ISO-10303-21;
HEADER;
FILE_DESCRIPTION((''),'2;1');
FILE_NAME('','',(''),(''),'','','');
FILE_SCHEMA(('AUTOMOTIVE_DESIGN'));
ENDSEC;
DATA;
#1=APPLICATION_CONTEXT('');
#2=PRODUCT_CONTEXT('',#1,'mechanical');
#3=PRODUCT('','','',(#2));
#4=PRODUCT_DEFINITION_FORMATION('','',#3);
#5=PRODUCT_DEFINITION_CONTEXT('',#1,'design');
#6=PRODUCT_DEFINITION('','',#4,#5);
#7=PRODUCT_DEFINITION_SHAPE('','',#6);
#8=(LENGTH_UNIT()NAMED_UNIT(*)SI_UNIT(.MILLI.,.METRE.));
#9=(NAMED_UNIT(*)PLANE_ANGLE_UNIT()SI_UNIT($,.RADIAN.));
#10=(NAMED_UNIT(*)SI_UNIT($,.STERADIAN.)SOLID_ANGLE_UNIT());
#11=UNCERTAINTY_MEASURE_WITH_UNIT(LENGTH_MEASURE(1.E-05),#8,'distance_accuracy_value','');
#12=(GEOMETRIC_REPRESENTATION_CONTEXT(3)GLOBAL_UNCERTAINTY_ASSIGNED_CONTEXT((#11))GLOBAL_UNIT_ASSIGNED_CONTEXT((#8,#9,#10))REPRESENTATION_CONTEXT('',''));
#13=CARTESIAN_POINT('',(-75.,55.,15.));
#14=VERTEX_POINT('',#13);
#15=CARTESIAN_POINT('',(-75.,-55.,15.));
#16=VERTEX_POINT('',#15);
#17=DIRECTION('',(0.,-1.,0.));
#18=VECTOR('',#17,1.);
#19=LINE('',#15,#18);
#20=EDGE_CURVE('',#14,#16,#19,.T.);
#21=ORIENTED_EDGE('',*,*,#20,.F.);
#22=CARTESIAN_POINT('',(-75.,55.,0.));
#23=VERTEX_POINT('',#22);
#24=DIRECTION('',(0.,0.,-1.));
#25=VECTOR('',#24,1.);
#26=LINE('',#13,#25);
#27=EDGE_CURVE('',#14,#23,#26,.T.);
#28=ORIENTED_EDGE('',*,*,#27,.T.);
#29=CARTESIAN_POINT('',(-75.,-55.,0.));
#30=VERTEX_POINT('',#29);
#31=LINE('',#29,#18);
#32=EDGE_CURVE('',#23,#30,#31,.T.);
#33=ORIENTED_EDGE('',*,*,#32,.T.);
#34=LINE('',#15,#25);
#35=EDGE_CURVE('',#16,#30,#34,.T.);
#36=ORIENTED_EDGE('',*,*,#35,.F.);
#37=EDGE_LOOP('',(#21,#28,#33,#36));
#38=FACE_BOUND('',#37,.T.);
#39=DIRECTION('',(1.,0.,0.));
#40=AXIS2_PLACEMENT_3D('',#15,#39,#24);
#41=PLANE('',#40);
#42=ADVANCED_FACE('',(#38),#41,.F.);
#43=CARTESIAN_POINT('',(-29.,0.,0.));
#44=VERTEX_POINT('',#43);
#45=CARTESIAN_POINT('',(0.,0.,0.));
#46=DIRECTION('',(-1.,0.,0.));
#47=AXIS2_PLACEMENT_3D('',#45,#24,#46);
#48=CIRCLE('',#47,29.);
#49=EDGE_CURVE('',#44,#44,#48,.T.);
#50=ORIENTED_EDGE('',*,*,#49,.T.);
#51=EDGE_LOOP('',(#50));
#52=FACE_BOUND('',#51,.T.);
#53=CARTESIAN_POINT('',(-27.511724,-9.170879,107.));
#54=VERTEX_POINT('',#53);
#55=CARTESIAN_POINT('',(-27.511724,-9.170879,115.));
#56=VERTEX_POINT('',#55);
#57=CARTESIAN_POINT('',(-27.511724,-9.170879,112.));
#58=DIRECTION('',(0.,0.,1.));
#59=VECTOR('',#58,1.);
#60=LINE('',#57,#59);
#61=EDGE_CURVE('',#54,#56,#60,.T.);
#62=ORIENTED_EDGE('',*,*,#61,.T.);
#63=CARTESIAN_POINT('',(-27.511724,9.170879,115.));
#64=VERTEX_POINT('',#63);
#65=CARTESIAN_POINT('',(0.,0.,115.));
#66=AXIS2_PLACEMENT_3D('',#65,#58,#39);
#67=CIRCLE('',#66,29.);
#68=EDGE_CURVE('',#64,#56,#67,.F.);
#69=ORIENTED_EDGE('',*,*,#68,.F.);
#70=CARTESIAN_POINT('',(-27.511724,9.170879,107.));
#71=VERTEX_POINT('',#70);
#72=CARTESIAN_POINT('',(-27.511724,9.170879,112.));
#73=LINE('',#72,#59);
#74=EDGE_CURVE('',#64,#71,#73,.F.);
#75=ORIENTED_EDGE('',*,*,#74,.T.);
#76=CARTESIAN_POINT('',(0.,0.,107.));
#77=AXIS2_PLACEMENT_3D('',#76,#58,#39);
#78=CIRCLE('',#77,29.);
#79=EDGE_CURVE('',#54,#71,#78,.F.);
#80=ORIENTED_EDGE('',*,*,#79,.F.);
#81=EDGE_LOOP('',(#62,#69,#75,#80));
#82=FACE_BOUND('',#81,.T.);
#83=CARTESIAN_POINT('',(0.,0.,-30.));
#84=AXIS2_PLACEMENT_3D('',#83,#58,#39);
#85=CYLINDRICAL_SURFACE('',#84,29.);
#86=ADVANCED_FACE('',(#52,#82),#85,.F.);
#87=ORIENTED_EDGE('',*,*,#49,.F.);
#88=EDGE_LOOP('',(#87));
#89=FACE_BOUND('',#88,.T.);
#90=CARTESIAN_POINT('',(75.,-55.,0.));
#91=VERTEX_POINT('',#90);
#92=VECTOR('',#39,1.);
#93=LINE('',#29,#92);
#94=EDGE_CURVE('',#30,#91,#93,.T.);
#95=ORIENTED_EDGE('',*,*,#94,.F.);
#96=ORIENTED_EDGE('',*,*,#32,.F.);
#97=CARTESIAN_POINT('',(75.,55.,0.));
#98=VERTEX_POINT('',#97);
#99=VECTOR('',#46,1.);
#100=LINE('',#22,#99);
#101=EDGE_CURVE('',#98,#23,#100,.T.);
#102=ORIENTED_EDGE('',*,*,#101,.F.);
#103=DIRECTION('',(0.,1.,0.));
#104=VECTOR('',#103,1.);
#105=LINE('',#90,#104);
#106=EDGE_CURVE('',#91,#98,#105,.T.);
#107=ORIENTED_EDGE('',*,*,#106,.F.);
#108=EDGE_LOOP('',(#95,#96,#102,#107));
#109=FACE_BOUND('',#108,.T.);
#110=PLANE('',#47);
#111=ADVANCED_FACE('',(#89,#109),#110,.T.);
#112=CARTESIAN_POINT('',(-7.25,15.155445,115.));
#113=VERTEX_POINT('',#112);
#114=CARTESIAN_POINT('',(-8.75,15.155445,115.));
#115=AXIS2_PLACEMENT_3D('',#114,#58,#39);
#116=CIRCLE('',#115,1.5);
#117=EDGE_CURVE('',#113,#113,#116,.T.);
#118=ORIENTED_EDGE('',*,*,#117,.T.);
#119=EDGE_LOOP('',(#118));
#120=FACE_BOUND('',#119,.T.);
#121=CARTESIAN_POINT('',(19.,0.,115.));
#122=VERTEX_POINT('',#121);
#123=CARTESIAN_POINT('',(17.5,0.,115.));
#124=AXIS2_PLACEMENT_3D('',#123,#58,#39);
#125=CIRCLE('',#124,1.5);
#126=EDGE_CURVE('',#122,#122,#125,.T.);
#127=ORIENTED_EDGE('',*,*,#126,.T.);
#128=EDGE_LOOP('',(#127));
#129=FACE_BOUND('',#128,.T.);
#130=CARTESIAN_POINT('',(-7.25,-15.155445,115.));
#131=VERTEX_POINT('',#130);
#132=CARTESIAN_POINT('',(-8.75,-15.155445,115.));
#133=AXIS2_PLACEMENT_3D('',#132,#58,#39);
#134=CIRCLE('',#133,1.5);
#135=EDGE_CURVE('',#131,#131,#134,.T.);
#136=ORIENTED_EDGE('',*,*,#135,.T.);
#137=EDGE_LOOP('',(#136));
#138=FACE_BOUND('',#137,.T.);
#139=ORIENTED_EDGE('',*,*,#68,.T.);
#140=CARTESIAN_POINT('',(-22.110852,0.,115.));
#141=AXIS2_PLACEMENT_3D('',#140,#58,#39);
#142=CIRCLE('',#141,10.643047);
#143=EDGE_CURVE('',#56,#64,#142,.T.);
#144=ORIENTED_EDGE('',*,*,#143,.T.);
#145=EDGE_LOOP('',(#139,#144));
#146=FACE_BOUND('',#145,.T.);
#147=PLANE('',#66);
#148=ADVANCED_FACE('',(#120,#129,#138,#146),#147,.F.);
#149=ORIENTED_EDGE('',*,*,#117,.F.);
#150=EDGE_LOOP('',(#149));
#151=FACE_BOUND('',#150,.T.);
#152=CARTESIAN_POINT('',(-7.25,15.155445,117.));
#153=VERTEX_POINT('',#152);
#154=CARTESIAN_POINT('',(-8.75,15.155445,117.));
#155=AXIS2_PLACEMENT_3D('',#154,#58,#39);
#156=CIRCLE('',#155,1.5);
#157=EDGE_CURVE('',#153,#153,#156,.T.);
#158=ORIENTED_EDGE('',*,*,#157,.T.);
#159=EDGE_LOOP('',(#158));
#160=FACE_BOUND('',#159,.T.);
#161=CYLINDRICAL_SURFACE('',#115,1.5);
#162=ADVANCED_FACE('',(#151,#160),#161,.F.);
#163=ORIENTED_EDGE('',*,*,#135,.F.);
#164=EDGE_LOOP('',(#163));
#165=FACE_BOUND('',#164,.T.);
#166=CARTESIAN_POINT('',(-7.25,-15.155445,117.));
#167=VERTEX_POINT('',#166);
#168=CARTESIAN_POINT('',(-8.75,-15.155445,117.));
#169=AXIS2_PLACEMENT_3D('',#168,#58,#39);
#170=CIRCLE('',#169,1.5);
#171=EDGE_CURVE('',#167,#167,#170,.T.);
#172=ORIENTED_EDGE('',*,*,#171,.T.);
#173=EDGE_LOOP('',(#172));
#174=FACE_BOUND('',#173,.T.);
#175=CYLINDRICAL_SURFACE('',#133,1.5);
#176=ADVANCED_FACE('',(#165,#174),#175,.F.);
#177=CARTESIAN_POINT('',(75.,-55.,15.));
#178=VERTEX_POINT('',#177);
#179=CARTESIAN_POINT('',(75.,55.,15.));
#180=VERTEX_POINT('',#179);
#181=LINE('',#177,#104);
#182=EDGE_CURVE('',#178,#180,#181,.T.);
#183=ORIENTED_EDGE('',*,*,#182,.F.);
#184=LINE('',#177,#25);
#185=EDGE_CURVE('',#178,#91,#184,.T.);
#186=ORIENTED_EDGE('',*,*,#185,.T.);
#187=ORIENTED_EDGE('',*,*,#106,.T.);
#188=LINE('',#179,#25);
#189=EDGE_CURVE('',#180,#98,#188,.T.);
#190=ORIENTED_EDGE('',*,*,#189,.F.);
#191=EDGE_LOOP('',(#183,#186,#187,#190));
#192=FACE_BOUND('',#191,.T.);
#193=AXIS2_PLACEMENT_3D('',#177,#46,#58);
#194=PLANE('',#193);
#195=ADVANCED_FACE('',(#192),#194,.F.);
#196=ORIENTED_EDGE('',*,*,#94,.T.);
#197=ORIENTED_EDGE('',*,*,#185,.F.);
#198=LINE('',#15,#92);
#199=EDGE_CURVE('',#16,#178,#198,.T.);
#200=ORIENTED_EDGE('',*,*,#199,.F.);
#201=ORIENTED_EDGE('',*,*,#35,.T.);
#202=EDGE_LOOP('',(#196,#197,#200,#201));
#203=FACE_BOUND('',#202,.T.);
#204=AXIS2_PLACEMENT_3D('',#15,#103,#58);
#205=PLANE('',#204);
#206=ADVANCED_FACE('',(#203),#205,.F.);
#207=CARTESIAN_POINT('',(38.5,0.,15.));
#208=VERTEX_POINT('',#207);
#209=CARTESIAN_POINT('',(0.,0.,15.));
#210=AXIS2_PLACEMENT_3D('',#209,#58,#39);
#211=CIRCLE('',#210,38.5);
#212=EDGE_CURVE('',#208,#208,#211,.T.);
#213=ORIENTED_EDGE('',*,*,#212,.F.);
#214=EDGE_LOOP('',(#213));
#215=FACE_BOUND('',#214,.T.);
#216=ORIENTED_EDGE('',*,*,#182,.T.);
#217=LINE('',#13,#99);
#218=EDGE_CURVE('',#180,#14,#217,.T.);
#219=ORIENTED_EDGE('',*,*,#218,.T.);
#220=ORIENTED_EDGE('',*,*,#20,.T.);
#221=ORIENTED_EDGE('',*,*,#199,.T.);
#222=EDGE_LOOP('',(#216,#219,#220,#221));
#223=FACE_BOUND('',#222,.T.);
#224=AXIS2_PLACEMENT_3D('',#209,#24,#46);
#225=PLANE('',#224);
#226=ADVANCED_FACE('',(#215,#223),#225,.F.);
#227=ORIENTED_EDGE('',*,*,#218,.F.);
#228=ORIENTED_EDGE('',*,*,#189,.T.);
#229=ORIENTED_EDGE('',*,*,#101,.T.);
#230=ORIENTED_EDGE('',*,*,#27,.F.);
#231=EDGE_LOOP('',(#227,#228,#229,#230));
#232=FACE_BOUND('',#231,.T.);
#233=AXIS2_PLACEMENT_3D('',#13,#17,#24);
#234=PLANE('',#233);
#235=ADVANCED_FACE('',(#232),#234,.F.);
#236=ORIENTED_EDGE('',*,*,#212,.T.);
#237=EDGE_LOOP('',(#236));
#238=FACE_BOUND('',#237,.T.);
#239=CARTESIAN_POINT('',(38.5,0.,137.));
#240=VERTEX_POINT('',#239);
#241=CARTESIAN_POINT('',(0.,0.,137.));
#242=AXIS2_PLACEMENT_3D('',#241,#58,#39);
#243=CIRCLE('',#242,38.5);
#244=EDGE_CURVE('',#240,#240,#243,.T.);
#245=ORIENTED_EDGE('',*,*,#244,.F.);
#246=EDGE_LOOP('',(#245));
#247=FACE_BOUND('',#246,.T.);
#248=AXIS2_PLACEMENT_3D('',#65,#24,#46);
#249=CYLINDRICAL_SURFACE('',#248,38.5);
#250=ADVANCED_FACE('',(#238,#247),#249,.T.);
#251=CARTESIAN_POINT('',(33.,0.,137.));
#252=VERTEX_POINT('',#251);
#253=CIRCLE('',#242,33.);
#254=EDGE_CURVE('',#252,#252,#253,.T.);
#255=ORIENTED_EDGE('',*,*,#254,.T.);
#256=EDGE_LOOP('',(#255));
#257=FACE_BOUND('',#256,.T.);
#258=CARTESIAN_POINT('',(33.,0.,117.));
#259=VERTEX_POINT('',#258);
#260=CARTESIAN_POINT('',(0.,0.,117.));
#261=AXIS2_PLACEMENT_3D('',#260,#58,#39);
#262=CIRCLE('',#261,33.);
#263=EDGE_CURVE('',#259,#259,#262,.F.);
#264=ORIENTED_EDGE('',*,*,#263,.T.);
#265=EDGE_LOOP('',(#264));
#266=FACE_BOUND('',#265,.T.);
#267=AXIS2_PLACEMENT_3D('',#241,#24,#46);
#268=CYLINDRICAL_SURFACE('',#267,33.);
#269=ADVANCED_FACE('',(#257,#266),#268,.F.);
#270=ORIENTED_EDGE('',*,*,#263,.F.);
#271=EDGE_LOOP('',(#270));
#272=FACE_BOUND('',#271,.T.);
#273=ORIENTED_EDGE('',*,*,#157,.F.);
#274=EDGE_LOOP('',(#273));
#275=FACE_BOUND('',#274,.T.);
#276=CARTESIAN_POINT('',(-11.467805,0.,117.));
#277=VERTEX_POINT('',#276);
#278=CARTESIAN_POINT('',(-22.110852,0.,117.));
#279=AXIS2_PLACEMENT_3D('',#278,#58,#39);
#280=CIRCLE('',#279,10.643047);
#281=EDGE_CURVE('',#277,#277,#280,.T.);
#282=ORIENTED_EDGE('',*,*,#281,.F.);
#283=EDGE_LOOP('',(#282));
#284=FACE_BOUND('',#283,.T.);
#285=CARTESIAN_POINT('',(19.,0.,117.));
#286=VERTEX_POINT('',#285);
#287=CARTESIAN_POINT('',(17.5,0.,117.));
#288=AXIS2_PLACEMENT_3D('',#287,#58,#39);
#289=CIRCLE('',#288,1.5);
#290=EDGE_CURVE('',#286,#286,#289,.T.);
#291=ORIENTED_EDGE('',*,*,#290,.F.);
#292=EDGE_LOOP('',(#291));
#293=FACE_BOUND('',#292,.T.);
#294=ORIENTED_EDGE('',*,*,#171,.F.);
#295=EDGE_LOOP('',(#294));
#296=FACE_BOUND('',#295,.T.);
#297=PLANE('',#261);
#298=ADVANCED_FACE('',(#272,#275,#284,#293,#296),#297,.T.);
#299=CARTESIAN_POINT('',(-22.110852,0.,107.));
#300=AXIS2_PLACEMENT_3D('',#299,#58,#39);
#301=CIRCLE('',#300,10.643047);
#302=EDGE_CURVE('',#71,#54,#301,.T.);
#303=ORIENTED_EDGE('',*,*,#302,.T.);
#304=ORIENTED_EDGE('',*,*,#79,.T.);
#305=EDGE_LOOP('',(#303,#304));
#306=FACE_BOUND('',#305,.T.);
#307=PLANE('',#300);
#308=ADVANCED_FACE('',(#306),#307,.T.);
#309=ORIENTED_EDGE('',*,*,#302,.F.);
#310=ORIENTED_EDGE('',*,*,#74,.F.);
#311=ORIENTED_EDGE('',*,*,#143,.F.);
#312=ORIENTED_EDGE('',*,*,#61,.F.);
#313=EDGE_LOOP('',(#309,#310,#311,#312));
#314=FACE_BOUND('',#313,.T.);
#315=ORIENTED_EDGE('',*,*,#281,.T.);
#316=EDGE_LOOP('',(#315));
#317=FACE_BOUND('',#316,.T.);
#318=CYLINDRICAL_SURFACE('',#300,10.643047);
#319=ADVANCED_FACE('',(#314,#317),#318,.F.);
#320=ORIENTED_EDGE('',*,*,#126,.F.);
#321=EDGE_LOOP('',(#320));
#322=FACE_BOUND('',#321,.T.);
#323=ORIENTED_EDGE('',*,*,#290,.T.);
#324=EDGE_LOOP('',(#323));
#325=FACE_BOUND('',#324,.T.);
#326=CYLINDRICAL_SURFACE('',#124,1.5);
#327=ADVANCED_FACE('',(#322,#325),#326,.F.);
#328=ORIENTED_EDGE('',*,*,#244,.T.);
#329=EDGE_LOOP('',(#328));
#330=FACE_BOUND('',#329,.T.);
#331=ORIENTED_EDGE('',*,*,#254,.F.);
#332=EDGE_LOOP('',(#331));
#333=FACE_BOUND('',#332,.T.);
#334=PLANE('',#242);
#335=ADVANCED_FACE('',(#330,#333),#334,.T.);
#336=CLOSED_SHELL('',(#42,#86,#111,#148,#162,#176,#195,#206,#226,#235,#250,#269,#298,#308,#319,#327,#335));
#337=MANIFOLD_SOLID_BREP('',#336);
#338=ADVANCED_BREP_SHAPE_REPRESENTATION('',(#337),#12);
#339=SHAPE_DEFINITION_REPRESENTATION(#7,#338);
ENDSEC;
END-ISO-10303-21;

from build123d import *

# Parameters (mm, degrees)
SKETCH_1_W          = 150
SKETCH_1_H          = 110
EXTRUDE_1_DEPTH     = 15
SKETCH_2_R          = 38.5
EXTRUDE_2_DEPTH     = 100
SKETCH_4_R          = 29
CUT_EXTRUDE_1_DEPTH = 145
SKETCH_5_R          = 33
EXTRUDE_3_DEPTH     = 2
SKETCH_6_R          = 1.5
CUT_EXTRUDE_2_DEPTH = 2
SKETCH_7_R          = 38.5
SKETCH_7_R_2        = 33
EXTRUDE_4_DEPTH     = 22
SKETCH_8_R          = 10.643046967
CUT_EXTRUDE_3_DEPTH = 10


with BuildPart() as part:
    # 草图1 → 凸台-拉伸1 (new body)
    with BuildSketch(Plane.XY):
        Rectangle(SKETCH_1_W, SKETCH_1_H)
    extrude(amount=EXTRUDE_1_DEPTH)

    # 草图2 → 凸台-拉伸2 (add)
    with BuildSketch(Plane.XY.offset(15)):
        Circle(SKETCH_2_R)
    extrude(amount=EXTRUDE_2_DEPTH)

    # 草图4 → 切除-拉伸1 (cut)
    with BuildSketch(Plane.XY.offset(115)):
        Circle(SKETCH_4_R)
    extrude(amount=-CUT_EXTRUDE_1_DEPTH, mode=Mode.SUBTRACT)

    # 草图5 → 凸台-拉伸3 (add)
    with BuildSketch(Plane.XY.offset(115)):
        Circle(SKETCH_5_R)
    extrude(amount=EXTRUDE_3_DEPTH)

    # 草图6 → 切除-拉伸2 (cut)
    with BuildSketch(Plane.XY.offset(117)):
        with Locations((17.5, 0)):
            Circle(SKETCH_6_R)
        with Locations((-8.75, -15.155444566)):
            Circle(SKETCH_6_R)
        with Locations((-8.75, 15.155444566)):
            Circle(SKETCH_6_R)
    extrude(amount=-CUT_EXTRUDE_2_DEPTH, mode=Mode.SUBTRACT)

    # 草图7 → 凸台-拉伸4 (add)
    with BuildSketch(Plane.XY.offset(115)):
        Circle(SKETCH_7_R)
        Circle(SKETCH_7_R_2, mode=Mode.SUBTRACT)
    extrude(amount=EXTRUDE_4_DEPTH)

    # 草图8 → 切除-拉伸3 (cut)
    with BuildSketch(Plane.XY.offset(117)):
        with Locations((-22.11085185, 0)):
            Circle(SKETCH_8_R)
    extrude(amount=-CUT_EXTRUDE_3_DEPTH, mode=Mode.SUBTRACT)


solid = part.part
